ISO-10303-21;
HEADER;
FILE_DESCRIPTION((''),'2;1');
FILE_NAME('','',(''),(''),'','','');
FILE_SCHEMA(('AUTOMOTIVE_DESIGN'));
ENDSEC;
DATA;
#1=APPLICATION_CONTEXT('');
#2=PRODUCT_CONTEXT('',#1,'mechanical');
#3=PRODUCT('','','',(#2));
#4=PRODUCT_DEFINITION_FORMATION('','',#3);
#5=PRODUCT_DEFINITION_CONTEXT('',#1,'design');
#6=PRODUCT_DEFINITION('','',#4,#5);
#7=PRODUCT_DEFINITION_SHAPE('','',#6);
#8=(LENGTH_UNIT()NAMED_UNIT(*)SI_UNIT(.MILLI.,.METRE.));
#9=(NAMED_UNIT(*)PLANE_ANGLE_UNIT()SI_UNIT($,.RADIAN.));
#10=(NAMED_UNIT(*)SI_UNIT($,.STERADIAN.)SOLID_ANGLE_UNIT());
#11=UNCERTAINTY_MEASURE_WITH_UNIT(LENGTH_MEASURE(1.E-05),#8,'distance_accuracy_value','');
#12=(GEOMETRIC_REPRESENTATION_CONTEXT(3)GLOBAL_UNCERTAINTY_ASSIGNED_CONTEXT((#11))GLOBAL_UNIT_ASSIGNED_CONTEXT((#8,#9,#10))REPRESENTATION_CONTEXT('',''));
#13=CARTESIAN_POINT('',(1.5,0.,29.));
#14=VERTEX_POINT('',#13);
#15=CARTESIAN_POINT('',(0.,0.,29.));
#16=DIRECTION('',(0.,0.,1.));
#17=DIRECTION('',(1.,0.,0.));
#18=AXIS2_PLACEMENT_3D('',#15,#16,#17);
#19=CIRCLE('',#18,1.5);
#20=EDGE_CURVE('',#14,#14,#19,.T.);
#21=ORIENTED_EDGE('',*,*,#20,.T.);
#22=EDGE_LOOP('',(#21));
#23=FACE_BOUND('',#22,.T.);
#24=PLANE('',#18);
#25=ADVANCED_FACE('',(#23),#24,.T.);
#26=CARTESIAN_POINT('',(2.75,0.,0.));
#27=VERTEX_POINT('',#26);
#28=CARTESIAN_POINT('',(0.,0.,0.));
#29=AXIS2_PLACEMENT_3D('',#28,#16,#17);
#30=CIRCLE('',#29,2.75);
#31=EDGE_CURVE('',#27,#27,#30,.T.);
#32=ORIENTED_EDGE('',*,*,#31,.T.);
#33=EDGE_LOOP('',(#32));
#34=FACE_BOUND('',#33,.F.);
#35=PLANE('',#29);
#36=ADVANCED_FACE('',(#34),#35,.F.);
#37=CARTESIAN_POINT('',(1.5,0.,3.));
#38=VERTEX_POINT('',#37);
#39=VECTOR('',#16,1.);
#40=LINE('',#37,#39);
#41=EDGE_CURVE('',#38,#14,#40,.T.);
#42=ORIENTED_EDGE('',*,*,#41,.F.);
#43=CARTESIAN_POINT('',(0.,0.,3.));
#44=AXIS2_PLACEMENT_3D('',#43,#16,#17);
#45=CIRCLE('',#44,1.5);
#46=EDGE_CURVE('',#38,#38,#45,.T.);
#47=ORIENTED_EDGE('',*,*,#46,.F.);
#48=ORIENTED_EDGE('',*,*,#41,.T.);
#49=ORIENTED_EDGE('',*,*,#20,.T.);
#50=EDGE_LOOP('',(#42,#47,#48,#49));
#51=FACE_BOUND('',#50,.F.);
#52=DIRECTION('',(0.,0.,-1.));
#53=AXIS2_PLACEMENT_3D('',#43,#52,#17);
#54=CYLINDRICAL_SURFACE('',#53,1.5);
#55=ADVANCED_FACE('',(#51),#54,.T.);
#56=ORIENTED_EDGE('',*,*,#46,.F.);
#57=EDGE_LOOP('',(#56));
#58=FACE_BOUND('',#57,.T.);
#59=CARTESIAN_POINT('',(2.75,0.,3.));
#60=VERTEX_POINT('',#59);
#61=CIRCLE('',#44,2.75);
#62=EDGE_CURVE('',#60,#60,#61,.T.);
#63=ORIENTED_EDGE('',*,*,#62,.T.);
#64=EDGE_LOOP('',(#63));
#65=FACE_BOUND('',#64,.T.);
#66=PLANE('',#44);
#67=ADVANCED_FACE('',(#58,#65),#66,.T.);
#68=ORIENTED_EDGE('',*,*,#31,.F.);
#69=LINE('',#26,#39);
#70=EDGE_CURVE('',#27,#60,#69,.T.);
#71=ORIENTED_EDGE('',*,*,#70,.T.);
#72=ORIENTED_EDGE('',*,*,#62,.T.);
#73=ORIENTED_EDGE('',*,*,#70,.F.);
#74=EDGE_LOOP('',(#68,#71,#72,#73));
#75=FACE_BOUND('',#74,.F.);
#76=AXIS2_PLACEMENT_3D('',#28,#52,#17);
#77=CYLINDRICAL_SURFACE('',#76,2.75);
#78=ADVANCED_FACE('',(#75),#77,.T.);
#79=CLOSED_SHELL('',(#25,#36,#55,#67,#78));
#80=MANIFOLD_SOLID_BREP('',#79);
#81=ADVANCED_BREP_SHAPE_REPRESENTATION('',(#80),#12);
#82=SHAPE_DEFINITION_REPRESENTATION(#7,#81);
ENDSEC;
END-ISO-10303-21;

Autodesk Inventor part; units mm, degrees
ref_plane "YZ Plane" through (0, 0, 0) normal (1, 0, 0) x (0, 1, 0)
ref_plane "XZ Plane" through (0, 0, 0) normal (0, 1, 0) x (-1, 0, 0)
ref_plane "XY Plane" through (0, 0, 0) normal (0, 0, 1) x (1, 0, 0)
sketch "Sketch1" plane through (0, 0, 0) normal (0, 0, 1) x (1, 0, 0)
  circle A0 centre (0, 0) radius 2.75
  dimension "d0" = 5.5
extrude "Extrusion1" add sketch "Sketch1" along normal blind 3
sketch "Sketch2" plane through (0, 0, 3) normal (0, 0, 1) x (1, 0, 0)
  circle A0 centre (0, 0) radius 1.5
  dimension "d3" = 3
extrude "Extrusion2" add sketch "Sketch2" along normal blind 26
thread "Thread1" size "M3x0.5" class "6g" standard "ANSI Metric M Profile" full length
properties part number "PulleyScrew"
